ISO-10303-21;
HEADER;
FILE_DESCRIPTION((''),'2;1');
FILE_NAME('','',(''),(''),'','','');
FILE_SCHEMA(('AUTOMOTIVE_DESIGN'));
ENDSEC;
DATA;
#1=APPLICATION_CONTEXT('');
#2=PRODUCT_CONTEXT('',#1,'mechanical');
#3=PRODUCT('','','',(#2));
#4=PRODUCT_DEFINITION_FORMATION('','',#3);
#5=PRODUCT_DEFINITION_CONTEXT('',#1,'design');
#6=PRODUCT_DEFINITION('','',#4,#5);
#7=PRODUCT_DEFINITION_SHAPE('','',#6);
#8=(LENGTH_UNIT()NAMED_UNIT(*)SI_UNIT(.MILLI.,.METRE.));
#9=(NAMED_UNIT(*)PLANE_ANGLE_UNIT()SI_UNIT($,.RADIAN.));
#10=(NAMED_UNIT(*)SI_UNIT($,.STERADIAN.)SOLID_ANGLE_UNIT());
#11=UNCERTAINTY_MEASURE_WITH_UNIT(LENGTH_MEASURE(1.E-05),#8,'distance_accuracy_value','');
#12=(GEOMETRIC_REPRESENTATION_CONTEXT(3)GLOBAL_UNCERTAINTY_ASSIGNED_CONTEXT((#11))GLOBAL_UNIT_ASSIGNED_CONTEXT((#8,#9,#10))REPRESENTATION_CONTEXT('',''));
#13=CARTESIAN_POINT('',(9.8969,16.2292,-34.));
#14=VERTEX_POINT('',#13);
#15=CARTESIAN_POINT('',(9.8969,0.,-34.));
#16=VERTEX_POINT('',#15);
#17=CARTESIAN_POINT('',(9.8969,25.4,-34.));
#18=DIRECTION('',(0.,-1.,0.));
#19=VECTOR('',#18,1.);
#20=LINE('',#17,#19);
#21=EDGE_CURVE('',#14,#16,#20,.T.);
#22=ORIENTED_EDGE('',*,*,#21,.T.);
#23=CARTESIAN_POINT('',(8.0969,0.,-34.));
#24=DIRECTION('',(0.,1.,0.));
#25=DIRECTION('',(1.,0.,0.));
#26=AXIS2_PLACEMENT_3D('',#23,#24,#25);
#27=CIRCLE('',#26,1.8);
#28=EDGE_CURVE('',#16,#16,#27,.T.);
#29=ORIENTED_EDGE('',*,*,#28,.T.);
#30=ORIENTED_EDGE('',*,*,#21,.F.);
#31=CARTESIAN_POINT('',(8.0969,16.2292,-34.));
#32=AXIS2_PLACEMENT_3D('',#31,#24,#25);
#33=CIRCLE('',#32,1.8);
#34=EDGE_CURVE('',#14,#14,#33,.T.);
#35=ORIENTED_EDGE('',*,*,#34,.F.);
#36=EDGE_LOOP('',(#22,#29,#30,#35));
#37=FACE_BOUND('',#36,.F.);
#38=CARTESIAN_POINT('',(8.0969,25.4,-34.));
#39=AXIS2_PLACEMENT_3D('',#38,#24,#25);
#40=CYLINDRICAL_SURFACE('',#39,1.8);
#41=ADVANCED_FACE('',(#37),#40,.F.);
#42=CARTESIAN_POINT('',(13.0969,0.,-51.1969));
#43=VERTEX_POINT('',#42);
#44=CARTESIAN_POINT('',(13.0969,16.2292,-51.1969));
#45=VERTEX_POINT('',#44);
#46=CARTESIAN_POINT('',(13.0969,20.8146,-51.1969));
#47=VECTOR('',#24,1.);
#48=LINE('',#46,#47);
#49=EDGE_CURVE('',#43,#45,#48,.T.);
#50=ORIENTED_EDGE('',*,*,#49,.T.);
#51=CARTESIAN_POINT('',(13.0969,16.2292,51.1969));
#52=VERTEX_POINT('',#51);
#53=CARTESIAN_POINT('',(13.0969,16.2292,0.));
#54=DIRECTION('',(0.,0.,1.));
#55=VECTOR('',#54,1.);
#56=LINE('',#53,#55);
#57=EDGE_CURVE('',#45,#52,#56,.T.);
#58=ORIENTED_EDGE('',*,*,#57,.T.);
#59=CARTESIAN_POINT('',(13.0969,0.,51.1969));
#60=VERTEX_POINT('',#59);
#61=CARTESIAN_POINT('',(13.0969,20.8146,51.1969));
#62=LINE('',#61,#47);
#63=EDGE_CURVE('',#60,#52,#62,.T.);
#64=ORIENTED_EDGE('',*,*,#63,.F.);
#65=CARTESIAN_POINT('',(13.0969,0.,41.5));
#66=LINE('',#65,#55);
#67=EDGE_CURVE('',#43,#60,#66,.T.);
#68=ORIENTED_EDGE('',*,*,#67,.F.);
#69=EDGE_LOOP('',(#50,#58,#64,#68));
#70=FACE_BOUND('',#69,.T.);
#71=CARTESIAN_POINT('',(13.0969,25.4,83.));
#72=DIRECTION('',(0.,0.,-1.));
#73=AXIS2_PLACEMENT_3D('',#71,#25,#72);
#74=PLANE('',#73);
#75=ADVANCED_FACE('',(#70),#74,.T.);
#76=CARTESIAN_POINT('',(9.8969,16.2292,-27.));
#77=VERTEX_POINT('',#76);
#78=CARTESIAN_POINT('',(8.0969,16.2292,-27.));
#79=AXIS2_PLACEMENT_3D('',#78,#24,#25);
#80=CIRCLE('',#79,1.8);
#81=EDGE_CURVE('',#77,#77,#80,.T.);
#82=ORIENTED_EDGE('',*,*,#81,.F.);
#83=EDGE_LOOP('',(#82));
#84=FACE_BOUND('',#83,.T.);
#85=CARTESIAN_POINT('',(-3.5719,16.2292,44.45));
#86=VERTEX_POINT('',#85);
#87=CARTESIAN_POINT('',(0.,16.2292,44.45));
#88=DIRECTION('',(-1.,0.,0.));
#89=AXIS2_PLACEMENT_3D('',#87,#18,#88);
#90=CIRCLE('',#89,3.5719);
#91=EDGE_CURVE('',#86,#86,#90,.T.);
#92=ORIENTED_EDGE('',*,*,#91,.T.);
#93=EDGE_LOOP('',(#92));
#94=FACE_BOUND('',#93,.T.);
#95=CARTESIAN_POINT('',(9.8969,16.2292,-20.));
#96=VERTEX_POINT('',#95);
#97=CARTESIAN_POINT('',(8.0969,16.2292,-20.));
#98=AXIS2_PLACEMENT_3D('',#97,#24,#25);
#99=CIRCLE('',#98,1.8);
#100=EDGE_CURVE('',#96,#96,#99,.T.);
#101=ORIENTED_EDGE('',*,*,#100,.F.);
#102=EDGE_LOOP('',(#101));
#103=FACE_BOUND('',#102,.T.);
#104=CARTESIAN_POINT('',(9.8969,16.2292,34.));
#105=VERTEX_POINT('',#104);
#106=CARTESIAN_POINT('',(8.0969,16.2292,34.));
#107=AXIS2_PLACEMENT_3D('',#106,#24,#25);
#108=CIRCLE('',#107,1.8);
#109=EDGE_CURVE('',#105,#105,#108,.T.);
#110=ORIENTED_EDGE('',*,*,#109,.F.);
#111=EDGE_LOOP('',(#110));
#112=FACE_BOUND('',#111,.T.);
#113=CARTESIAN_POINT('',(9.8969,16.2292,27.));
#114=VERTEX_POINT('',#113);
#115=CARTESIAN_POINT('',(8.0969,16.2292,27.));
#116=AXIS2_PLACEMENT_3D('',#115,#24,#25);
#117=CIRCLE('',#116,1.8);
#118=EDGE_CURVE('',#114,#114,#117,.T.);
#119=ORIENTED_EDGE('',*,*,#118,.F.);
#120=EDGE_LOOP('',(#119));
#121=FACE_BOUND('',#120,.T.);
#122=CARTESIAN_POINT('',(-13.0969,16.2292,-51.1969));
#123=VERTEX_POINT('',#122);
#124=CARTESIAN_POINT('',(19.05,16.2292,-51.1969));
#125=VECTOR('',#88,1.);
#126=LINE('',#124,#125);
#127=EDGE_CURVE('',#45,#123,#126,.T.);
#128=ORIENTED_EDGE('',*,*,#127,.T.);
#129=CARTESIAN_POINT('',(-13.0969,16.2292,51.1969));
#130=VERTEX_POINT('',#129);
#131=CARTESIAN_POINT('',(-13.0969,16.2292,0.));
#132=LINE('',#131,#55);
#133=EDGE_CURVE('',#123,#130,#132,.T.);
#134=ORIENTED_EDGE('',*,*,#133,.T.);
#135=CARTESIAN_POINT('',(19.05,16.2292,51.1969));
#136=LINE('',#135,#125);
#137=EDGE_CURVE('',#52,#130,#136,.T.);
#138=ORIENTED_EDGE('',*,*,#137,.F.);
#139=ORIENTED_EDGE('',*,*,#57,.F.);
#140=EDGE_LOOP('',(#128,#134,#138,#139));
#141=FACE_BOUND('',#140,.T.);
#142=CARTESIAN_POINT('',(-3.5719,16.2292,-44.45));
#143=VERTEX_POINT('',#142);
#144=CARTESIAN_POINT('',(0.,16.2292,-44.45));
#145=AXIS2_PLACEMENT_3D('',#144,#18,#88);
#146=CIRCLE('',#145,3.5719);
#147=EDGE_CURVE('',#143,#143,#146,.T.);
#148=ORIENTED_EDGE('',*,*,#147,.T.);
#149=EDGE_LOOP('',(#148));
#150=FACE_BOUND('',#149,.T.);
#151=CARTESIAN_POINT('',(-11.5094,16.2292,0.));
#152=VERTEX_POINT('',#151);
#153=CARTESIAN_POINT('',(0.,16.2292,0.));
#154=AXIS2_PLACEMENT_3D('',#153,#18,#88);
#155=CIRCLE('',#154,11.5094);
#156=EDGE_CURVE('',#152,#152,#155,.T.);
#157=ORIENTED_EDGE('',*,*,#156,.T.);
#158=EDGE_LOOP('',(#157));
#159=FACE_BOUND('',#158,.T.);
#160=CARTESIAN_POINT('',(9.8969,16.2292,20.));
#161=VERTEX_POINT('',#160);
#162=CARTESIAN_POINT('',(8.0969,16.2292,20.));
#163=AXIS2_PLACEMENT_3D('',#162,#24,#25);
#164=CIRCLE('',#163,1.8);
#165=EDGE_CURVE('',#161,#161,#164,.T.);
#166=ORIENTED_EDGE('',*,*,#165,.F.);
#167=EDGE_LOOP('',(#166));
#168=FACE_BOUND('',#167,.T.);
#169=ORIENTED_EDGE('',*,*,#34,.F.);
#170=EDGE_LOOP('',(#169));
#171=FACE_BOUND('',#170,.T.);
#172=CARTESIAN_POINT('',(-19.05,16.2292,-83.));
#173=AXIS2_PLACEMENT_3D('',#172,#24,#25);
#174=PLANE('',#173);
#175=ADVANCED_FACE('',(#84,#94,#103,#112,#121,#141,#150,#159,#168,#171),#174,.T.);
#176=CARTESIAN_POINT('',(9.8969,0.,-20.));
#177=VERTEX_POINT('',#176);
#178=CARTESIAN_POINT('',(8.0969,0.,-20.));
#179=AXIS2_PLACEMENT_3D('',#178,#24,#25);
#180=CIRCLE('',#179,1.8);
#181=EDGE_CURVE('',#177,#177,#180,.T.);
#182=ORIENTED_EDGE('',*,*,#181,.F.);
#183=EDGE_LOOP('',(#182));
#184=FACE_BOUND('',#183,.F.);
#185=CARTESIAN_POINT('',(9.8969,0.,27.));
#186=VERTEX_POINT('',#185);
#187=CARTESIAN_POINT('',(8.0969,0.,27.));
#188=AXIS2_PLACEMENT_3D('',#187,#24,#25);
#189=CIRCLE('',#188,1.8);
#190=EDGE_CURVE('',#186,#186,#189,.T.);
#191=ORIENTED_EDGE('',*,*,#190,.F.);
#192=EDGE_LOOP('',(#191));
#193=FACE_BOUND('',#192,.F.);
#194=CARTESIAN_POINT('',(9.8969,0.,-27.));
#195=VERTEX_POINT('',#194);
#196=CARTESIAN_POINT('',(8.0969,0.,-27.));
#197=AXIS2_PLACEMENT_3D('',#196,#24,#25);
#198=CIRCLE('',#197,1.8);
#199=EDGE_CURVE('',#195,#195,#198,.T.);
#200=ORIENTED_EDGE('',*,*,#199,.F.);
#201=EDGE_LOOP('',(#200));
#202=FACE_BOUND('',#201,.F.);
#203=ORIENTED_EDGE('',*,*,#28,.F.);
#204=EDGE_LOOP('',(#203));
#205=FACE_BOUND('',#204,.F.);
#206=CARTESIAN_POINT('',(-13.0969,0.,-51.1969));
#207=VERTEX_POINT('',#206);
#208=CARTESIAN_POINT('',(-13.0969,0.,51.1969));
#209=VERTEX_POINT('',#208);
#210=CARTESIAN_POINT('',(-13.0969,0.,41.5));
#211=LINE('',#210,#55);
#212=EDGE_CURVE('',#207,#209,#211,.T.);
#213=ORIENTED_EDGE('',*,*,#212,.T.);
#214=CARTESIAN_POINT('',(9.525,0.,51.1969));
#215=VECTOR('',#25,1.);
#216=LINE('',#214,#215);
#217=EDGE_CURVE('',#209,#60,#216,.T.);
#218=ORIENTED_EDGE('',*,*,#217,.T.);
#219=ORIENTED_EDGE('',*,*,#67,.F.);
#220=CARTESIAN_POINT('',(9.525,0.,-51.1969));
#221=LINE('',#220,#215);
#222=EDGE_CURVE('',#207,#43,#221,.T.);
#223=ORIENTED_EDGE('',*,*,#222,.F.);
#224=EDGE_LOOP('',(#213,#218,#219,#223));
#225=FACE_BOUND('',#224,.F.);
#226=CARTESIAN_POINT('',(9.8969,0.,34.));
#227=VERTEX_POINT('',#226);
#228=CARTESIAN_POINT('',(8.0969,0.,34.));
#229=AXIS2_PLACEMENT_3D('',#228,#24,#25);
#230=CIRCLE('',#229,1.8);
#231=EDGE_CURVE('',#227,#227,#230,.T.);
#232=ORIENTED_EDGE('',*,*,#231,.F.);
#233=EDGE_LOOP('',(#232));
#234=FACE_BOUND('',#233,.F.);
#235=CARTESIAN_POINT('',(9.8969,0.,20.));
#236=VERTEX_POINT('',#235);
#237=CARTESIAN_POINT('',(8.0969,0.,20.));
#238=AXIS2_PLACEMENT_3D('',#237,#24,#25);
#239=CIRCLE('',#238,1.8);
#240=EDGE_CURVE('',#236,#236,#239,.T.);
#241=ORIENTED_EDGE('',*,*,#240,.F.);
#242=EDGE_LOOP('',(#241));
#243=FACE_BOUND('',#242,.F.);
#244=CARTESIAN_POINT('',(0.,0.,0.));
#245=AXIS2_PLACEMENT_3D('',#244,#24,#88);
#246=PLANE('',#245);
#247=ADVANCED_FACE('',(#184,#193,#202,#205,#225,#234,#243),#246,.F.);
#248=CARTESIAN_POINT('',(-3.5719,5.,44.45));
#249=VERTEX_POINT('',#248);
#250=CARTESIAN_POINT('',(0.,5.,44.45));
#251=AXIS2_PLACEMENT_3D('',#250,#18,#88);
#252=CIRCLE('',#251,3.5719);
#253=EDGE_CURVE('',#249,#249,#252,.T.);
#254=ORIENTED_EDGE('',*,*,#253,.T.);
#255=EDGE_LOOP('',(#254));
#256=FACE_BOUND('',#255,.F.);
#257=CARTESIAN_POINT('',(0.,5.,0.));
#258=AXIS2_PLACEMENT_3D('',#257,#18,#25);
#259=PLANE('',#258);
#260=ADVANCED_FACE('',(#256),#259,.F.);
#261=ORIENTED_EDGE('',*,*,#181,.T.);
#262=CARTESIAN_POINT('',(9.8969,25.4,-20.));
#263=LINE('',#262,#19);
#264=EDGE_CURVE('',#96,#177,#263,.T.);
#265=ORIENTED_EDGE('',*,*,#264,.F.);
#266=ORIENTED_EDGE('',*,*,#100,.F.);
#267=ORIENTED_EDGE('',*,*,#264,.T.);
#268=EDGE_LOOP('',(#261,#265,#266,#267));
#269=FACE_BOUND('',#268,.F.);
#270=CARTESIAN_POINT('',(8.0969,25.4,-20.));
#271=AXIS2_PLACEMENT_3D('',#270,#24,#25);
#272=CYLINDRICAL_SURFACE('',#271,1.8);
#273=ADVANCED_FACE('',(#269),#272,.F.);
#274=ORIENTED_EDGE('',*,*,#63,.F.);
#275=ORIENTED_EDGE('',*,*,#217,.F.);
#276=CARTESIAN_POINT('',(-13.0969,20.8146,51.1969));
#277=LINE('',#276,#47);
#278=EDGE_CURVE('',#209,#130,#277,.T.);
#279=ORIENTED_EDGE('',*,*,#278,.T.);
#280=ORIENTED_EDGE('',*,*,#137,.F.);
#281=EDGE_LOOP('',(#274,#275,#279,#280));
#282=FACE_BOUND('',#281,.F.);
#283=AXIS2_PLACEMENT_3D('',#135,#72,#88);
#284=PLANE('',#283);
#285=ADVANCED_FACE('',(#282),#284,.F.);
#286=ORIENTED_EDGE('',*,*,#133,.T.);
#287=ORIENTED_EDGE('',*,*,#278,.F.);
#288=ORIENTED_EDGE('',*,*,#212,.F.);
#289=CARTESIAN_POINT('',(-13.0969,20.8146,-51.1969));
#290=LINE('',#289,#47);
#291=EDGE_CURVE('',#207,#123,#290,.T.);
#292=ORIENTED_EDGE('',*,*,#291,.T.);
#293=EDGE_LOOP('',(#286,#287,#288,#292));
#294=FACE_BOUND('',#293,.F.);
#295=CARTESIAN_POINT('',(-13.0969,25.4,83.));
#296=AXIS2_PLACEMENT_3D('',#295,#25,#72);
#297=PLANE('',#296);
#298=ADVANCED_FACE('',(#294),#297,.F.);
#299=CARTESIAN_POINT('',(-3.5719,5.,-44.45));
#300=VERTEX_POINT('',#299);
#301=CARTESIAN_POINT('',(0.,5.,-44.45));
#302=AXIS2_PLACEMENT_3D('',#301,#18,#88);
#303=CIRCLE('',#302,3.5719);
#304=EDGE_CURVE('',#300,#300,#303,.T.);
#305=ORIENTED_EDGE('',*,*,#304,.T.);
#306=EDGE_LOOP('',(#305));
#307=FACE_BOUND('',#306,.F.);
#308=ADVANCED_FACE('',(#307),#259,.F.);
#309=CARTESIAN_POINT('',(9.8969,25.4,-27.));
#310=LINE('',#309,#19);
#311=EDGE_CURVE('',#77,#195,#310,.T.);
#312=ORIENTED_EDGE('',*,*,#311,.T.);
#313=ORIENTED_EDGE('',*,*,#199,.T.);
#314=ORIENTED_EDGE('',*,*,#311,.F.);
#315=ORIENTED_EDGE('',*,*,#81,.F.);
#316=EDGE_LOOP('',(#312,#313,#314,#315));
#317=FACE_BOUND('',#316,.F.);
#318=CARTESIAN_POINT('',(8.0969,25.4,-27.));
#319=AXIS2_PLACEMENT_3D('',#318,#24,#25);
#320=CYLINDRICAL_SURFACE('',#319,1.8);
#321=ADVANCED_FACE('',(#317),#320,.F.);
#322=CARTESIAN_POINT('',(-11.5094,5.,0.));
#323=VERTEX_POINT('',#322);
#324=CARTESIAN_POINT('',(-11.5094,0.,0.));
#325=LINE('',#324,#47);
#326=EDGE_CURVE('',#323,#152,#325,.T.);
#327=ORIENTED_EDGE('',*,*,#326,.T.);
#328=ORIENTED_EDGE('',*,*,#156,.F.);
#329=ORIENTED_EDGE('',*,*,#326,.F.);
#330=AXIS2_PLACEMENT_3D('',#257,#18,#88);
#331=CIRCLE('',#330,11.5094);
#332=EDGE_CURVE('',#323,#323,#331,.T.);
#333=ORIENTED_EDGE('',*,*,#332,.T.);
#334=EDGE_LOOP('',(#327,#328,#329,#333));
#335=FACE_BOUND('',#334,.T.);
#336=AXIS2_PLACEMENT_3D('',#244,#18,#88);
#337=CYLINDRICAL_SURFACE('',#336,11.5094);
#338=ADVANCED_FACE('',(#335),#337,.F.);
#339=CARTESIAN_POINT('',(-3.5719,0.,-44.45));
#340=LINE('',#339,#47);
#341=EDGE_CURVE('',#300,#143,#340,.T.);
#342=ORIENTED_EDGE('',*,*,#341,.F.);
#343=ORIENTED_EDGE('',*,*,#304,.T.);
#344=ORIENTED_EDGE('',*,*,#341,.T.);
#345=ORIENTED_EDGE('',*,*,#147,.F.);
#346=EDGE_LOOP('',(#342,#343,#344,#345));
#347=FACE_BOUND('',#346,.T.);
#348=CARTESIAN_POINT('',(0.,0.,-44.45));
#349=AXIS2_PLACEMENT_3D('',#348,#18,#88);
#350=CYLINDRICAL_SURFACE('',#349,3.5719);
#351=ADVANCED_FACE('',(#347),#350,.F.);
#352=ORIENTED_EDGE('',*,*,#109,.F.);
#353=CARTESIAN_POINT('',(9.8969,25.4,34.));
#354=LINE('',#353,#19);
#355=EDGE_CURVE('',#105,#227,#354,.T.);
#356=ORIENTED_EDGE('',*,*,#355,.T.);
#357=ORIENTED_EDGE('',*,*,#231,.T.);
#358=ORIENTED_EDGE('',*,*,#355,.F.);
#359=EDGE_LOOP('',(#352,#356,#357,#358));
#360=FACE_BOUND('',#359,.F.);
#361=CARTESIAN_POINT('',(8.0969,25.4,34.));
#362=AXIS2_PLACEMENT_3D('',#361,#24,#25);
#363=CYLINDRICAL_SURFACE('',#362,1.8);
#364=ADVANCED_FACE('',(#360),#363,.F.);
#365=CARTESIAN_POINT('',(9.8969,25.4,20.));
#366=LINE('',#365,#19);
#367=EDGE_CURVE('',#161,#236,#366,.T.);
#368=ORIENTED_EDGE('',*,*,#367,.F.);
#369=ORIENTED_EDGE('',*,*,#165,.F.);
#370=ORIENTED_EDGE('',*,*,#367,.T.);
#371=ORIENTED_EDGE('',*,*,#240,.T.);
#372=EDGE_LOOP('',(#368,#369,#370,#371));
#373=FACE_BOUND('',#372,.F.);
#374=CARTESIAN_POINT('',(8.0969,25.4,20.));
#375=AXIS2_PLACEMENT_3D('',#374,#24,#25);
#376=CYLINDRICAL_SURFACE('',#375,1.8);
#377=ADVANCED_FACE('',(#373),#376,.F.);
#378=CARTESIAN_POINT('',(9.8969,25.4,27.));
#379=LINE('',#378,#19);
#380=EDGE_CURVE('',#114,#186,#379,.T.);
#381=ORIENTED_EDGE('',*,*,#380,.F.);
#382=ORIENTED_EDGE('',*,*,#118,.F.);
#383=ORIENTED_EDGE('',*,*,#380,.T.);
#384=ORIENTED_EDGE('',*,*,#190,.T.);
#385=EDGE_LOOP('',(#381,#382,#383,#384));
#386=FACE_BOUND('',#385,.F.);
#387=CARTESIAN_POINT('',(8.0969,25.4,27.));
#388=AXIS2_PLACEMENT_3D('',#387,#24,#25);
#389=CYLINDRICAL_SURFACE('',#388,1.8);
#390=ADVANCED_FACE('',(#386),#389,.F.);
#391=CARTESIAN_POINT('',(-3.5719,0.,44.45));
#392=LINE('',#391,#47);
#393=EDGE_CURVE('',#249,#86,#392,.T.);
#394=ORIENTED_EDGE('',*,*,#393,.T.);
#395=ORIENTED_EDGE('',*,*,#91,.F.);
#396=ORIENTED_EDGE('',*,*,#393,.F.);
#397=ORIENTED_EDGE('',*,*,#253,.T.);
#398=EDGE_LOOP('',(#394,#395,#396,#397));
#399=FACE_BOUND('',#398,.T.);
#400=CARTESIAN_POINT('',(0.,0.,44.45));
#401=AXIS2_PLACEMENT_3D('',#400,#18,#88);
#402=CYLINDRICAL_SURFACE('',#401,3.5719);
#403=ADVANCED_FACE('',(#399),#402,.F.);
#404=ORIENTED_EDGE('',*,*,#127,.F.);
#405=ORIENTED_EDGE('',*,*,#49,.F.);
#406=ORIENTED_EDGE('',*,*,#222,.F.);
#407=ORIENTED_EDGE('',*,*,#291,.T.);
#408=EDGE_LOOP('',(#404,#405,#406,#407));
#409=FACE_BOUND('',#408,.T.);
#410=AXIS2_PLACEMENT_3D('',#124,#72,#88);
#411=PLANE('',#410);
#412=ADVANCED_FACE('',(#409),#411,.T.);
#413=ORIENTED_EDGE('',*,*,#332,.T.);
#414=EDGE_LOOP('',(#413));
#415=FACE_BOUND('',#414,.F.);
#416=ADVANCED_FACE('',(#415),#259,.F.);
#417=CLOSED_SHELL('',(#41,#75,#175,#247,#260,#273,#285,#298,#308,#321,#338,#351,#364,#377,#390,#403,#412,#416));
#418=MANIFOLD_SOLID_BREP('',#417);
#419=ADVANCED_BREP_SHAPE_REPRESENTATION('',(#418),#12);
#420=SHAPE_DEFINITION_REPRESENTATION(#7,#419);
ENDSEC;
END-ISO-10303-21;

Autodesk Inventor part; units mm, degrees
ref_plane "YZ Plane" through (0, 0, 0) normal (1, 0, 0) x (0, 1, 0)
ref_plane "XZ Plane" through (0, 0, 0) normal (0, 1, 0) x (-1, 0, 0)
ref_plane "XY Plane" through (0, 0, 0) normal (0, 0, 1) x (1, 0, 0)
sketch "Sketch1" plane through (0, 0, 0) normal (0, 1, 0) x (-1, 0, 0)
  line L0 (19.05, -83) -> (19.05, 83)
  line L1 (-19.05, 83) -> (-19.05, -83)
  circle A0 centre (0, 0) radius 11.5094
  line L2 (0, 0) -> (-0.4877, 3.251) construction
  line L3 (0, 0) -> (0, 44.45) construction
  line L4 (0, 0) -> (0, -44.45) construction
  circle A1 centre (0, 44.45) radius 3.5719
  circle A2 centre (0, -44.45) radius 3.5719
  line L5 (19.05, 83) -> (-19.05, 83)
  line L6 (19.05, -83) -> (-19.05, -83)
  dimension "d2" = 23.0188
  dimension "d4" = 44.45
  dimension "d5" = 44.45
  dimension "d6" = 7.1437
  dimension "d7" = 7.1437
extrude "Extrusion1" add sketch "Sketch1" along normal blind 25.4
sketch "Sketch6" plane through (0, 0, 0) normal (0, -1, 0) x (1, 0, 0)
  circle A0 centre (0, 44.45) radius 3.5719 projected
  circle A1 centre (0, 44.45) radius 3.5719
  circle A2 centre (0, -44.45) radius 3.5719 projected
  circle A3 centre (0, -44.45) radius 3.5719
  circle A4 centre (0, 0) radius 5.1594
  circle A5 centre (0, 0) radius 11.5094
  dimension "d102" = 35.7188
sketch "Sketch13" plane through (0, 25.4, 0) normal (0, 1, 0) x (1, 0, 0)
  line L0 (-19.05, -83) -> (19.05, -83) construction
  line L1 (19.05, 83) -> (-19.05, 83) construction
  circle A0 centre (8.0969, -34) radius 1.8
  circle A1 centre (8.0969, -27) radius 1.8
  circle A2 centre (8.0969, -20) radius 1.8
  circle A3 centre (8.0969, 20) radius 1.8
  circle A4 centre (8.0969, 27) radius 1.8
  circle A5 centre (8.0969, 34) radius 1.8
  circle A6 centre (0, 0) radius 11.5094 projected
  line L2 (-19.05, 83) -> (-19.05, -83) projected
  line L3 (-19.05, -83) -> (-13.0969, -83)
  line L4 (-13.0969, -83) -> (-13.0969, 83)
  line L5 (-13.0969, 83) -> (-19.05, 83)
  line L6 (-19.05, 83) -> (-19.05, -83)
  line L7 (19.05, -83) -> (13.0969, -83)
  line L8 (13.0969, -83) -> (13.0969, 83)
  line L9 (13.0969, 83) -> (19.05, 83)
  line L10 (19.05, 83) -> (19.05, -83)
  line L11 (13.0969, -83) -> (3.0969, -83) construction
  line L12 (3.0969, -83) -> (3.0969, 83) construction
  line L13 (3.0969, 83) -> (13.0969, 83) construction
  line L14 (13.0969, 83) -> (13.0969, -83) construction
  line L15 (8.0969, -83) -> (8.0969, 83) construction
  dimension "d82" = 3.6
  dimension "d83" = 3.6
  dimension "d84" = 3.6
  dimension "d85" = 3.6
  dimension "d86" = 3.6
  dimension "d87" = 3.6
  dimension "d88" = 7
  dimension "d89" = 7
  dimension "d90" = 7
  dimension "d92" = 7
  dimension "d93" = 20
  dimension "d94" = 20
  dimension "d97" = 1.5875
  dimension "d99" = 1.5875
  dimension "d105" = 10
sketch "Sketch14" plane through (19.05, 0, -83) normal (0, 0, -1) x (-1, 0, 0)
  line L0 (0, 0) -> (0, 25.4) projected
  line L1 (38.1, 0) -> (38.1, 25.4) projected
  line L2 (0, 25.4) -> (38.1, 25.4)
  line L3 (38.1, 25.4) -> (38.1, 16.2292)
  line L4 (38.1, 16.2292) -> (0, 16.2292)
  line L5 (0, 16.2292) -> (0, 25.4)
  point P0 (19.05, 0)
extrude "Extrusion15" cut sketch "Sketch14" against normal up to next
sketch "Sketch15" plane through (-19.05, 16.2292, -83) normal (0, 1, 0) x (1, 0, 0)
  line L0 (38.1, -166) -> (0, -166) projected
  line L1 (38.1, 0) -> (38.1, -166) projected
  line L2 (0, -166) -> (38.1, -166)
  line L3 (38.1, -166) -> (38.1, -134.1969)
  line L4 (38.1, -134.1969) -> (0, -134.1969)
  line L5 (0, -134.1969) -> (0, -166)
  circle A0 centre (19.05, -127.45) radius 3.5719 projected
  line L6 (0, -166) -> (0, 0) projected
  line L7 (0, 0) -> (38.1, 0)
  line L8 (38.1, 0) -> (38.1, -31.8031)
  line L9 (38.1, -31.8031) -> (0, -31.8031)
  line L10 (0, -31.8031) -> (0, 0)
  circle A1 centre (19.05, -38.55) radius 3.5719 projected
  point P0 (19.05, -83)
  dimension "d78" = 3.175
  dimension "d79" = 3.175
extrude "Extrusion16" cut sketch "Sketch15" against normal up to next contours L0 L5 L4 L1 | L9 L6 L7 L1
extrude "Extrusion18" cut sketch "Sketch13" against normal up to next contours A0 | A1 | A2 | A3 | A4 | A5 | L5 L4 L3 L2 | L7 L8 L9 L10
extrude "Extrusion19" add sketch "Sketch6" against normal blind 5 contours A0 | A2 | A4 | A5
properties part number "RodBase"
